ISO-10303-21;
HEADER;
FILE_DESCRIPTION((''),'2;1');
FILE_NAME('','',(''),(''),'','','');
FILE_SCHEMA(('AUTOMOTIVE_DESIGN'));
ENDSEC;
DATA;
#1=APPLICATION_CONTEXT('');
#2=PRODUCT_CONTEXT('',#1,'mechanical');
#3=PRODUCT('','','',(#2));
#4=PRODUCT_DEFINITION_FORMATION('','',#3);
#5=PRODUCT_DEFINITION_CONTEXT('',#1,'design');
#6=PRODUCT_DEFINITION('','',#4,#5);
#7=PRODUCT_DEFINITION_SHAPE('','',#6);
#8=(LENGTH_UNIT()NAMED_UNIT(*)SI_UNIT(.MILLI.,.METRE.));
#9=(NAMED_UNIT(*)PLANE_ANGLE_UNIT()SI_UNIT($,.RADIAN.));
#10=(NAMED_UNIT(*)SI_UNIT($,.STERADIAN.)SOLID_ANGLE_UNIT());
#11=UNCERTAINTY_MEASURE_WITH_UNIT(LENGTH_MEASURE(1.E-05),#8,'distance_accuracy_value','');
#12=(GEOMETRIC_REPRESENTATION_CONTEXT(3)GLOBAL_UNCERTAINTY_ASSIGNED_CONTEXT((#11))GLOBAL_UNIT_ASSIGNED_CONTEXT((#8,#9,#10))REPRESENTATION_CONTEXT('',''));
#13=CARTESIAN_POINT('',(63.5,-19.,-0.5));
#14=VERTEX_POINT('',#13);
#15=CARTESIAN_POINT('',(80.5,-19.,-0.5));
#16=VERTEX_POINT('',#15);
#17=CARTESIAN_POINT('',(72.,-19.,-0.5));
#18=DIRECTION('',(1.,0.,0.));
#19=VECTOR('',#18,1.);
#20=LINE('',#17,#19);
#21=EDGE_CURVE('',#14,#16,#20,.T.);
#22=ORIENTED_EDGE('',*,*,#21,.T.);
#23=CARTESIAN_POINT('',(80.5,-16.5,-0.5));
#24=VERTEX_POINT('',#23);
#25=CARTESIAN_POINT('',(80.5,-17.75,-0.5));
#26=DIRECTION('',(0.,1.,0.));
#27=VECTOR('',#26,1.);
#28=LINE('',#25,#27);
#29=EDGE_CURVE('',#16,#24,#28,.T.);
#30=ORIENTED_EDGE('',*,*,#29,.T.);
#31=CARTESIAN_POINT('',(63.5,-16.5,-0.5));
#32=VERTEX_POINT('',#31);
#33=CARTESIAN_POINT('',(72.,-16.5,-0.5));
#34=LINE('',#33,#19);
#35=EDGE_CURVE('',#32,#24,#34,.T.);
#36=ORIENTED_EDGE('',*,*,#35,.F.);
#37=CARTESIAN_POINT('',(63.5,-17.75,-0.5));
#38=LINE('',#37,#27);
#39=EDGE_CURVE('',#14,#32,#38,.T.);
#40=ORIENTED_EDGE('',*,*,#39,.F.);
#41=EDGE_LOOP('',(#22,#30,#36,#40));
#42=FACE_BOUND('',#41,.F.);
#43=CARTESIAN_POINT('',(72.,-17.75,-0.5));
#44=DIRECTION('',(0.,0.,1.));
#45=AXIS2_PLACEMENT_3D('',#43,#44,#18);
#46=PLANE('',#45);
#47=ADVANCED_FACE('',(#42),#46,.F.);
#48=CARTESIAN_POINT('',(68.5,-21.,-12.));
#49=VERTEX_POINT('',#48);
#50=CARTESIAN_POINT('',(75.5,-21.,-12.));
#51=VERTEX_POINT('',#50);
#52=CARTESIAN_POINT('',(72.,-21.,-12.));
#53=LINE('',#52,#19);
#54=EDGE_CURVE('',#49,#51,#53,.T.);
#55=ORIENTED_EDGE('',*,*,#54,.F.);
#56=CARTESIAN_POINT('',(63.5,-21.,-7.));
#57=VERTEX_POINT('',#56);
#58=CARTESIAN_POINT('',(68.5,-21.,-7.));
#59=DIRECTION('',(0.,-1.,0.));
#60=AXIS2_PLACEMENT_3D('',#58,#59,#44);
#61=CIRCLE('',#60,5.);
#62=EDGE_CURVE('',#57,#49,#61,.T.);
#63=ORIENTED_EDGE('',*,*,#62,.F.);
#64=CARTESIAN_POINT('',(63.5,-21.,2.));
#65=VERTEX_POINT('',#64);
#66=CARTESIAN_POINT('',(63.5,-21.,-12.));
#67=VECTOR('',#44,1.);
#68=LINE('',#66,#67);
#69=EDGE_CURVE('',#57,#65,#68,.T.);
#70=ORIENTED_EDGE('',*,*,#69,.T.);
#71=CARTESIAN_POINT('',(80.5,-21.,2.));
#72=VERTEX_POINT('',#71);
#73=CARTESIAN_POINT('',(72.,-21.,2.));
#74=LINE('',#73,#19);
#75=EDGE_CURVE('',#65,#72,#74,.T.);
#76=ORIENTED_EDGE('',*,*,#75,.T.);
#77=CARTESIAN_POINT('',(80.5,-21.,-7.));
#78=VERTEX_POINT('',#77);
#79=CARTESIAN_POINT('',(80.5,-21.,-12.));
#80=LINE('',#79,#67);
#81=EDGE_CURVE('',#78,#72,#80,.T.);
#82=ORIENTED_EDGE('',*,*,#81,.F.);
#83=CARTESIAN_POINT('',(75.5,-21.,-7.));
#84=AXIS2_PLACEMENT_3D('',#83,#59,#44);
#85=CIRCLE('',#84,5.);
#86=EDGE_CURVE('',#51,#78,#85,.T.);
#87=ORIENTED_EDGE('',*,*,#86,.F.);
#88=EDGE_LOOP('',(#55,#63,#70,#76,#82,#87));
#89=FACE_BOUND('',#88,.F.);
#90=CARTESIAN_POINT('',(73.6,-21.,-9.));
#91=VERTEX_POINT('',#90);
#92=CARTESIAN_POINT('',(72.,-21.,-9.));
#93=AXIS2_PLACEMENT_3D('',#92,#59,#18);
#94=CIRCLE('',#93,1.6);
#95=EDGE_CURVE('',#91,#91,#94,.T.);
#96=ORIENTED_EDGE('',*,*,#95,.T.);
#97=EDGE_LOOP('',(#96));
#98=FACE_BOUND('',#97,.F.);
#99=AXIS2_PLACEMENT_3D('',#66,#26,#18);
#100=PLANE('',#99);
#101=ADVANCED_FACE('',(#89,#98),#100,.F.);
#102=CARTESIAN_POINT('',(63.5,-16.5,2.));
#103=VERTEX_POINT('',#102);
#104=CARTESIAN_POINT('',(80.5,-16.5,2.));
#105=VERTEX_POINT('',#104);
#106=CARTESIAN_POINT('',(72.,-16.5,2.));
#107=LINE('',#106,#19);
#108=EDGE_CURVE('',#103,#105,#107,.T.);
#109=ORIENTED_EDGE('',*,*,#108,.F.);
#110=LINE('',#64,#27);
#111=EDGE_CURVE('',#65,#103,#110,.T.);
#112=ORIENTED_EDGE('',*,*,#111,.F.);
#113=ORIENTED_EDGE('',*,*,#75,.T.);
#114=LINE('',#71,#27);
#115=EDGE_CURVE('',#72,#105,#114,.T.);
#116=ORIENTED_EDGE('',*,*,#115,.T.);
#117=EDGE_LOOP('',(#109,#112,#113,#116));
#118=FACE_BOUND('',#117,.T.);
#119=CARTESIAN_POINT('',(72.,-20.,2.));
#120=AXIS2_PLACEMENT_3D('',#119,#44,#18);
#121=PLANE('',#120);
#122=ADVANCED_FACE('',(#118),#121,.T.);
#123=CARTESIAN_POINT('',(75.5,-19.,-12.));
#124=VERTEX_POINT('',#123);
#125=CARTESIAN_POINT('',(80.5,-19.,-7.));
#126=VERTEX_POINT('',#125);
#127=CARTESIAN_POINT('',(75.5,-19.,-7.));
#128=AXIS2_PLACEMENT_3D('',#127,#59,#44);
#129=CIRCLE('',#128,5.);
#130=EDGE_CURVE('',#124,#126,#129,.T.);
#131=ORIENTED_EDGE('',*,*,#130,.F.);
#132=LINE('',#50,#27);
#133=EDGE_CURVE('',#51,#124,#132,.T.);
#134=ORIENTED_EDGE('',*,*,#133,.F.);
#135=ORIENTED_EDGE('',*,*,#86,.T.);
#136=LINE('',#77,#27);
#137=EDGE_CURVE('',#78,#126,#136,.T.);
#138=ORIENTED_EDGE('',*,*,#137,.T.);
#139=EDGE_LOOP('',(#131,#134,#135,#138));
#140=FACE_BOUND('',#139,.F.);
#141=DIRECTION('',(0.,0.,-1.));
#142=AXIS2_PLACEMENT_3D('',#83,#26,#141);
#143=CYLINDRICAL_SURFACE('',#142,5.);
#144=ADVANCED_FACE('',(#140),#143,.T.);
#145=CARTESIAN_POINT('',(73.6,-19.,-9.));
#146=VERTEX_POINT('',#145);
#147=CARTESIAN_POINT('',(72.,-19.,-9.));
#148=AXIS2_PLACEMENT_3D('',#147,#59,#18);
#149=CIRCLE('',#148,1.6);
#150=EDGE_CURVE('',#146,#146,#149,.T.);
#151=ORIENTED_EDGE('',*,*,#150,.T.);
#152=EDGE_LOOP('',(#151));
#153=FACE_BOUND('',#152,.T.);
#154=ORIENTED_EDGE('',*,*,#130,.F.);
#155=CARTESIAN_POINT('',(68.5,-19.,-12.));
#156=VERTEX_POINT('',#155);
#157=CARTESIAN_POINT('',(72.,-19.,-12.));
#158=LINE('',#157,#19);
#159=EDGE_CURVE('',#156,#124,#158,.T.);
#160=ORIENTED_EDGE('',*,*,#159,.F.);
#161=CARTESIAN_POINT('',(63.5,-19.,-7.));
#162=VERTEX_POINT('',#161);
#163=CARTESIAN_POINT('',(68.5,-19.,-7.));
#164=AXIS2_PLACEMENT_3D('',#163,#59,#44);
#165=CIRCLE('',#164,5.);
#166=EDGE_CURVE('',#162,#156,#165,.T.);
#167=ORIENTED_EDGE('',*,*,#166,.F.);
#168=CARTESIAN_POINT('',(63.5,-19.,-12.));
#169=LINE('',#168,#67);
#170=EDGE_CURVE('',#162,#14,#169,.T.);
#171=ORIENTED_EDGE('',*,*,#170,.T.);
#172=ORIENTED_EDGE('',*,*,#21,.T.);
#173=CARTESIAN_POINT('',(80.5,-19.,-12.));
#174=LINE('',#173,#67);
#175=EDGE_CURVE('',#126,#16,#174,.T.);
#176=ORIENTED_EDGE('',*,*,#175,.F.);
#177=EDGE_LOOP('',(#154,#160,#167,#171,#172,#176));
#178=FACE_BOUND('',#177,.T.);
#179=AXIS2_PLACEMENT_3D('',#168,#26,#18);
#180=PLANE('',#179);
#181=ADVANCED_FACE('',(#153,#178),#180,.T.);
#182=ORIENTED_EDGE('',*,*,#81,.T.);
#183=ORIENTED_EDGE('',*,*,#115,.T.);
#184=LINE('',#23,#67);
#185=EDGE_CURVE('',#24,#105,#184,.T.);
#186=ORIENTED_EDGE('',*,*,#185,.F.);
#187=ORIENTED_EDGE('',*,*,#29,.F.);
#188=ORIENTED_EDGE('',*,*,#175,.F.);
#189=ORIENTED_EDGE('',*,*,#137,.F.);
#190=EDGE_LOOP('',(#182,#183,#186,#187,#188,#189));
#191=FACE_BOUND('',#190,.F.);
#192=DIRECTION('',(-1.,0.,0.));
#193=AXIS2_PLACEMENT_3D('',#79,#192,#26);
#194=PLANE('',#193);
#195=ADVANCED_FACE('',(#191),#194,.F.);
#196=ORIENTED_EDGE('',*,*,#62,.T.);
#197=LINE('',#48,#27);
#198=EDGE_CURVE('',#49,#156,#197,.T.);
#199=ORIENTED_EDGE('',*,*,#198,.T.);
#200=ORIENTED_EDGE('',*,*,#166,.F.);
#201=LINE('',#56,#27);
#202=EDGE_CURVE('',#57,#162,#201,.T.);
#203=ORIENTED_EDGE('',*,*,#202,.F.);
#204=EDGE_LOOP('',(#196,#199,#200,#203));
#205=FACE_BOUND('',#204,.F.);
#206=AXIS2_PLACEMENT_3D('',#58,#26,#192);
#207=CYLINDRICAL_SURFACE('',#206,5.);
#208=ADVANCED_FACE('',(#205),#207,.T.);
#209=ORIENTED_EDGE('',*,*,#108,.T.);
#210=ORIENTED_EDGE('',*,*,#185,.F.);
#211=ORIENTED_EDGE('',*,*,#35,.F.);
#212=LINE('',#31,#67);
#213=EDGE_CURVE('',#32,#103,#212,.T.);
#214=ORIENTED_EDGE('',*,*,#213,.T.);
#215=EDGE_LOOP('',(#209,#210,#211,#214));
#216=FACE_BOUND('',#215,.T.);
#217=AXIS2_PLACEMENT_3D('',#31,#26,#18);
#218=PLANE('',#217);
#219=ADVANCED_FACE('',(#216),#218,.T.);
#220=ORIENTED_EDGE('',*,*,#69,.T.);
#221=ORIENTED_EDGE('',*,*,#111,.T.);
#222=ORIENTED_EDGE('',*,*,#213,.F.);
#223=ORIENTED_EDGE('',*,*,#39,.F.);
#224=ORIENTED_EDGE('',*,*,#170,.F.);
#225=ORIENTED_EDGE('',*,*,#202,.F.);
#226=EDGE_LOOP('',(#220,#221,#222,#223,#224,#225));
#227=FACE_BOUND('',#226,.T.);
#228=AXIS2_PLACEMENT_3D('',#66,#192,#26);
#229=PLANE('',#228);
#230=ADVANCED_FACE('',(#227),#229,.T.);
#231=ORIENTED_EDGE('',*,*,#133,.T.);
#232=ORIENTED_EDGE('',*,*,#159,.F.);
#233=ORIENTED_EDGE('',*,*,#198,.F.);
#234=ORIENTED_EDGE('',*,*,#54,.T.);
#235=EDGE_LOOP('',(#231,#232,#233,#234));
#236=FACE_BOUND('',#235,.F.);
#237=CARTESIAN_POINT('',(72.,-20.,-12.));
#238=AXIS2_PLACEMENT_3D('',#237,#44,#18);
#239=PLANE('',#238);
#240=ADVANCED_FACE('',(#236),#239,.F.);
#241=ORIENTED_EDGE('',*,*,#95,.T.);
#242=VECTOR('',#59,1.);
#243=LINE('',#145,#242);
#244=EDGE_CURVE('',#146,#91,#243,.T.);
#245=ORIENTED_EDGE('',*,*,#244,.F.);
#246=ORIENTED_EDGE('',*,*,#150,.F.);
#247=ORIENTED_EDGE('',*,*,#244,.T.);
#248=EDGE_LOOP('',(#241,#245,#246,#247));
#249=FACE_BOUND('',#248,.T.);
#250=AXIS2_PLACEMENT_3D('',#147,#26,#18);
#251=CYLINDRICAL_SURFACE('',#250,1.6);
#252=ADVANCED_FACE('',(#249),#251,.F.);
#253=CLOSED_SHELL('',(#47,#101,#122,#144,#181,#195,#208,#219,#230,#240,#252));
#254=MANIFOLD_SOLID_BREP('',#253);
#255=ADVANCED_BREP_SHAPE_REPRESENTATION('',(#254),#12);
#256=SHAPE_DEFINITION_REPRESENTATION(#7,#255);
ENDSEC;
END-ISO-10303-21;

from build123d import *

# Parameters (mm, degrees)
CYLINDER073_R     = 1.6
CYLINDER073_DEPTH = 2
BOX185_W          = 17
BOX185_H          = 2
BOX185_DEPTH      = 14
FILLET043_R       = 5
BOX186_W          = 17
BOX186_H          = 2.5
BOX186_DEPTH      = 2.5


with BuildPart() as cylinder154:
    # Cylinder073 → Cylinder073 (new body)
    with BuildSketch(Plane(origin=(72, -19, -9), x_dir=(1, 0, 0), z_dir=(0, -1, 0))):
        Circle(CYLINDER073_R)
    extrude(amount=CYLINDER073_DEPTH)


with BuildPart() as fillet043:
    # Box185 → Box185 (new body)
    with BuildSketch(Plane(origin=(63.5, -21, -12), x_dir=(1, 0, 0), z_dir=(0, 0, 1))):
        with Locations((8.5, 1)):
            Rectangle(BOX185_W, BOX185_H)
    extrude(amount=BOX185_DEPTH)

    # Cut098: cut Cylinder154
    add(cylinder154.part, mode=Mode.SUBTRACT)

    # Fillet043
    fillet043_edges = [fillet043.edges().sort_by_distance(p)[0] for p in [
        (63.5, -20, -12),
        (80.5, -20, -12),
    ]]
    fillet(fillet043_edges, radius=FILLET043_R)


with BuildPart() as fusion058:
    # Box186 → Box186 (new body)
    with BuildSketch(Plane(origin=(63.5, -19, -0.5), x_dir=(1, 0, 0), z_dir=(0, 0, 1))):
        with Locations((8.5, 1.25)):
            Rectangle(BOX186_W, BOX186_H)
    extrude(amount=BOX186_DEPTH)

    # Fusion058: union Fillet043
    add(fillet043.part)


solid = fusion058.part
